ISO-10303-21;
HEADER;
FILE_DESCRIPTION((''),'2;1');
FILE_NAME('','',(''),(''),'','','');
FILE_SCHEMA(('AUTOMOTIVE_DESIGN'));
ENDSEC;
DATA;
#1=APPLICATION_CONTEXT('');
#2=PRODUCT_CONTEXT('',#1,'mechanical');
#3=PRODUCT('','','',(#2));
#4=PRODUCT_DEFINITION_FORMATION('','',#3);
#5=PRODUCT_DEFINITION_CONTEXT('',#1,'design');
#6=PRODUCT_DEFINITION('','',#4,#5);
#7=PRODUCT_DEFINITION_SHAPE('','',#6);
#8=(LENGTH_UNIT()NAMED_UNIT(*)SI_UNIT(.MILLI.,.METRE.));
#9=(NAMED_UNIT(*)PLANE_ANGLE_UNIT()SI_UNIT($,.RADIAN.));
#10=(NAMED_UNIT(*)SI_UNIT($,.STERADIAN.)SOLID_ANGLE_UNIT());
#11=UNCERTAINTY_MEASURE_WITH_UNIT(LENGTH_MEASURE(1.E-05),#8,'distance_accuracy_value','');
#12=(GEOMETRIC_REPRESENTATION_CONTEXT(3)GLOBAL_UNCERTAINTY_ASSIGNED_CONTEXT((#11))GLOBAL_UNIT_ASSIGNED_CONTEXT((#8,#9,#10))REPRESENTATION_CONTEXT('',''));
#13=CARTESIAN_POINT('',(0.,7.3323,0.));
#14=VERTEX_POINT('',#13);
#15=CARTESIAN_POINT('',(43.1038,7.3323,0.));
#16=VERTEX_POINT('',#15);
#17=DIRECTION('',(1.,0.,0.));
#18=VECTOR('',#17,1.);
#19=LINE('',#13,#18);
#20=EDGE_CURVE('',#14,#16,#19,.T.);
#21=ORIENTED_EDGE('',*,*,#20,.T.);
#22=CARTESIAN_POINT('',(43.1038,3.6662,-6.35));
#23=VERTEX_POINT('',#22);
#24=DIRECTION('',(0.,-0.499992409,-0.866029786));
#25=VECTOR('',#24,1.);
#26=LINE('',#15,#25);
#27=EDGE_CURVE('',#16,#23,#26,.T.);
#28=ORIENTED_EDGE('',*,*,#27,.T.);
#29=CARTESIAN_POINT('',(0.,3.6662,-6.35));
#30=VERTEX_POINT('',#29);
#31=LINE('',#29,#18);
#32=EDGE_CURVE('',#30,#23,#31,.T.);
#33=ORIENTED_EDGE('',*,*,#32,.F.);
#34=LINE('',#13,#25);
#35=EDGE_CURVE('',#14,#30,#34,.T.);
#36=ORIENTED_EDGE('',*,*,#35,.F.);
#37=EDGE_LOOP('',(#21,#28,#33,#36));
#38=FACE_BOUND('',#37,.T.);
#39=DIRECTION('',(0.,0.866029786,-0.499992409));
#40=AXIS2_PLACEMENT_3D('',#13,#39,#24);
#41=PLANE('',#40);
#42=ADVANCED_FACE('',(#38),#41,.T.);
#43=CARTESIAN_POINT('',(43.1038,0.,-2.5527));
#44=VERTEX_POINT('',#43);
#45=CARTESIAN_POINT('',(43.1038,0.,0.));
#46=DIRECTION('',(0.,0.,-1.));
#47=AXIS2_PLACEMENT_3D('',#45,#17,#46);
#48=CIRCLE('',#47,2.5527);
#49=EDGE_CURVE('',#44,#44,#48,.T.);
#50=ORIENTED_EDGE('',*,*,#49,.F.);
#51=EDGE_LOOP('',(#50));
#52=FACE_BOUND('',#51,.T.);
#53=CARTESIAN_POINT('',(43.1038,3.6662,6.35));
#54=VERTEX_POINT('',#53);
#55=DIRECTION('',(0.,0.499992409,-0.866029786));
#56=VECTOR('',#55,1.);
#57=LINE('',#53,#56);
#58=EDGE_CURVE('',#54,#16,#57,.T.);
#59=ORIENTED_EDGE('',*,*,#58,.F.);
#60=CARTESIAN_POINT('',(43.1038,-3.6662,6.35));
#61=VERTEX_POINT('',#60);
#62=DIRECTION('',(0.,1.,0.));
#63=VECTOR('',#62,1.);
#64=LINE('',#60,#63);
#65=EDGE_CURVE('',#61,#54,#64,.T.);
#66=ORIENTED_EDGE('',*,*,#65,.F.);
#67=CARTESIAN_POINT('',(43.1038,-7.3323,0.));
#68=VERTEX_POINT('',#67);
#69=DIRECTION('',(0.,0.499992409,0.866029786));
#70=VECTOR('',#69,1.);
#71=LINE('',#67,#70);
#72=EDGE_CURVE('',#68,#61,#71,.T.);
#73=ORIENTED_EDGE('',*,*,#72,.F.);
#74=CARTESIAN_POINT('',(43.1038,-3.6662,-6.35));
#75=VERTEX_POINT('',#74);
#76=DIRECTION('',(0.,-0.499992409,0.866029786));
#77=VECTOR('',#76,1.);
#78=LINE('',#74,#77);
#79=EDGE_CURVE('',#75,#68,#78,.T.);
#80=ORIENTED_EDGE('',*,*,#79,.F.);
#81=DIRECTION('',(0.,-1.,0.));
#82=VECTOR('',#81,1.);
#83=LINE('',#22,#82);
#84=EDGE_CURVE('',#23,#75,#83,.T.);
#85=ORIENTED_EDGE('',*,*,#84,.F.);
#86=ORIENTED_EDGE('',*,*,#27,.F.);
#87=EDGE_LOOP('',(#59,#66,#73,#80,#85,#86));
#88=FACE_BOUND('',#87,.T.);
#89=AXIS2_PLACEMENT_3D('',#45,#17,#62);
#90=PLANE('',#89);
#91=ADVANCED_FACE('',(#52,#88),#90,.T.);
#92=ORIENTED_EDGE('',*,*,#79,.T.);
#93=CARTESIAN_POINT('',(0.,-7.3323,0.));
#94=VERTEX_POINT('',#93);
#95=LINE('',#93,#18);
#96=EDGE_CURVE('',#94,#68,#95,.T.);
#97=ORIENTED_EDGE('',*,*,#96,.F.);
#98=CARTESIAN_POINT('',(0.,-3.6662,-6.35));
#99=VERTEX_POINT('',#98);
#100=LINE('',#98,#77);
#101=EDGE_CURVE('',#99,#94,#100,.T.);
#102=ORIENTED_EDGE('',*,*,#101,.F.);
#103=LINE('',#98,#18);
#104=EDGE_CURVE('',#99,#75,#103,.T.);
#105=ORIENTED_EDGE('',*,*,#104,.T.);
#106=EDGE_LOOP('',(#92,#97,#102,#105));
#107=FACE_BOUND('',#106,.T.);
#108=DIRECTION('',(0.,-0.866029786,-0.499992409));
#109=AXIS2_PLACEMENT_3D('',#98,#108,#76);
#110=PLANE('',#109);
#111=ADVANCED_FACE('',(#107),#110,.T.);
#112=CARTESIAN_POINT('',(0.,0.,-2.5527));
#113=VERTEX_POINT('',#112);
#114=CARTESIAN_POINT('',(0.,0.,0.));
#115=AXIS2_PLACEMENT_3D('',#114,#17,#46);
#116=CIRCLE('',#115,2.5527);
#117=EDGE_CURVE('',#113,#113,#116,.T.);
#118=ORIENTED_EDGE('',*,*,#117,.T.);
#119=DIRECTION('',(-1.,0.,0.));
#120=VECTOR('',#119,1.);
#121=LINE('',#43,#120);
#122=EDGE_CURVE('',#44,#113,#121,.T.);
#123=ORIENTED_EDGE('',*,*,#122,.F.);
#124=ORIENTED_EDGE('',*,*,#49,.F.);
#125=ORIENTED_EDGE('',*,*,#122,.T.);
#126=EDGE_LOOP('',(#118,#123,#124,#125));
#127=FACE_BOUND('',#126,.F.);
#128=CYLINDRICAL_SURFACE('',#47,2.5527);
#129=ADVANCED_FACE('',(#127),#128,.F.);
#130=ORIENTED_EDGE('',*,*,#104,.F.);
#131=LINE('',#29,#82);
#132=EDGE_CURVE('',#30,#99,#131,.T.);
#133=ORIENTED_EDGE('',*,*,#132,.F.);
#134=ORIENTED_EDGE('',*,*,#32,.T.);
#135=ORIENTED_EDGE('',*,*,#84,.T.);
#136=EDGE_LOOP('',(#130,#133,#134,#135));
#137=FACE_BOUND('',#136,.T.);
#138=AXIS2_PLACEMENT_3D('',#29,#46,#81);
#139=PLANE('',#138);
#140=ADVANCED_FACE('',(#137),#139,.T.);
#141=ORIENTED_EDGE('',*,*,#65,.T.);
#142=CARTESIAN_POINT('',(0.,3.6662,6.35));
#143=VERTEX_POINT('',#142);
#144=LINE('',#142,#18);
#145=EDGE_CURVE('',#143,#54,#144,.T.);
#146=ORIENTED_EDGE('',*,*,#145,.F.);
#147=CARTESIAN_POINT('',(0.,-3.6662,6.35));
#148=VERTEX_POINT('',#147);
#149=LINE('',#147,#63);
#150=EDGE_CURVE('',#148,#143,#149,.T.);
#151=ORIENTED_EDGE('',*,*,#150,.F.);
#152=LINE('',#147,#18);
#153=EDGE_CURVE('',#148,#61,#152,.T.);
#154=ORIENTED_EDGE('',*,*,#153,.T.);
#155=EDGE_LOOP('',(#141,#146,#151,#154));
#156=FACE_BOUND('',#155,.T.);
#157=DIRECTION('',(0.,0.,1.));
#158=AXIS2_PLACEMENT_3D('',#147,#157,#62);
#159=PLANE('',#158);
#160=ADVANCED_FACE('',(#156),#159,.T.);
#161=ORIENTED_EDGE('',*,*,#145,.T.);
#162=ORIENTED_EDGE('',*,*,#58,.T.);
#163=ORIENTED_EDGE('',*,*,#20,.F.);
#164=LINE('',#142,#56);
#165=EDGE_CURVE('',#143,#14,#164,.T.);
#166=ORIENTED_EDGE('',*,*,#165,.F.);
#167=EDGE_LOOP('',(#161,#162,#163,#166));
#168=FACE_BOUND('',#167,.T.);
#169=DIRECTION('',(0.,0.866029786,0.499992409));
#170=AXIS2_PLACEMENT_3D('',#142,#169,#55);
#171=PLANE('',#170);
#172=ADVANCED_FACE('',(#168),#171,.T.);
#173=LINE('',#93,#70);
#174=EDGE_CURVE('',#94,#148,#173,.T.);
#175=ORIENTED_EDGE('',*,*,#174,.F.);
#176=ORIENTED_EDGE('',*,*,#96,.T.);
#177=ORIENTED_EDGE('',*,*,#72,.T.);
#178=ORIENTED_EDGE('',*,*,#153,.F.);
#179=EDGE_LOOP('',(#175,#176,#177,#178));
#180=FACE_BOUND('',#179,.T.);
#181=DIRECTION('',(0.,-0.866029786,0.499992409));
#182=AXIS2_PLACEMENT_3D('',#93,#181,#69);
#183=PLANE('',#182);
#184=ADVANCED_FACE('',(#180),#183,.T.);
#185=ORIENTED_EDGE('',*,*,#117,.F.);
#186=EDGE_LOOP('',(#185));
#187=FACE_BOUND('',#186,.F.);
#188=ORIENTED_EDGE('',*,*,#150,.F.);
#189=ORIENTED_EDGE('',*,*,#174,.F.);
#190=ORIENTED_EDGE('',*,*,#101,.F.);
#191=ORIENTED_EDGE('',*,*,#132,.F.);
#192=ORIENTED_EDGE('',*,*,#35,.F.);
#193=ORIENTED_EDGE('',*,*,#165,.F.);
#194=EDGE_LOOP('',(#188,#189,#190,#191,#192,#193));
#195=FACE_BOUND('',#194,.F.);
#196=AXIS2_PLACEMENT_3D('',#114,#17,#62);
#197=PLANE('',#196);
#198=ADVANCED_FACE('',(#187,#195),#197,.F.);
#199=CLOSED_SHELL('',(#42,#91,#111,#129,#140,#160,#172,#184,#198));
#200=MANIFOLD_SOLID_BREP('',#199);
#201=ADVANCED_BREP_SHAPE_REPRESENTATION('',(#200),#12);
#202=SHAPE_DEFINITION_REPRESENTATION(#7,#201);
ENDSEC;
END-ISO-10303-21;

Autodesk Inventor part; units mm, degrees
ref_plane "YZ Plane" through (0, 0, 0) normal (1, 0, 0) x (0, 1, 0)
ref_plane "XZ Plane" through (0, 0, 0) normal (0, 1, 0) x (-1, 0, 0)
ref_plane "XY Plane" through (0, 0, 0) normal (0, 0, 1) x (1, 0, 0)
sketch "Sketch1" plane through (0, 0, 0) normal (1, 0, 0) x (0, 1, 0)
  line L0 (-3.6662, -6.35) -> (-7.3323, 0)
  line L1 (-7.3323, 0) -> (-3.6662, 6.35)
  line L2 (-3.6662, 6.35) -> (3.6662, 6.35)
  line L3 (3.6662, 6.35) -> (7.3323, 0)
  line L4 (7.3323, 0) -> (3.6662, -6.35)
  line L5 (3.6662, -6.35) -> (-3.6662, -6.35)
  point P0 (0, 0)
  point P1 (0, 0)
  dimension "d0" = 12.7
extrude "Extrusion1" add sketch "Sketch1" along normal blind 43.1038
sketch "Sketch2" plane through (43.1038, 0, 0) normal (1, 0, 0) x (0, 0, -1)
  circle A0 centre (0, 0) radius 2.5527
  dimension "d3" = 5.1054
extrude "Extrusion2" cut sketch "Sketch2" against normal blind 43.1038
properties part number "INDX_015_OuterHex" material "Aluminum 6061"
